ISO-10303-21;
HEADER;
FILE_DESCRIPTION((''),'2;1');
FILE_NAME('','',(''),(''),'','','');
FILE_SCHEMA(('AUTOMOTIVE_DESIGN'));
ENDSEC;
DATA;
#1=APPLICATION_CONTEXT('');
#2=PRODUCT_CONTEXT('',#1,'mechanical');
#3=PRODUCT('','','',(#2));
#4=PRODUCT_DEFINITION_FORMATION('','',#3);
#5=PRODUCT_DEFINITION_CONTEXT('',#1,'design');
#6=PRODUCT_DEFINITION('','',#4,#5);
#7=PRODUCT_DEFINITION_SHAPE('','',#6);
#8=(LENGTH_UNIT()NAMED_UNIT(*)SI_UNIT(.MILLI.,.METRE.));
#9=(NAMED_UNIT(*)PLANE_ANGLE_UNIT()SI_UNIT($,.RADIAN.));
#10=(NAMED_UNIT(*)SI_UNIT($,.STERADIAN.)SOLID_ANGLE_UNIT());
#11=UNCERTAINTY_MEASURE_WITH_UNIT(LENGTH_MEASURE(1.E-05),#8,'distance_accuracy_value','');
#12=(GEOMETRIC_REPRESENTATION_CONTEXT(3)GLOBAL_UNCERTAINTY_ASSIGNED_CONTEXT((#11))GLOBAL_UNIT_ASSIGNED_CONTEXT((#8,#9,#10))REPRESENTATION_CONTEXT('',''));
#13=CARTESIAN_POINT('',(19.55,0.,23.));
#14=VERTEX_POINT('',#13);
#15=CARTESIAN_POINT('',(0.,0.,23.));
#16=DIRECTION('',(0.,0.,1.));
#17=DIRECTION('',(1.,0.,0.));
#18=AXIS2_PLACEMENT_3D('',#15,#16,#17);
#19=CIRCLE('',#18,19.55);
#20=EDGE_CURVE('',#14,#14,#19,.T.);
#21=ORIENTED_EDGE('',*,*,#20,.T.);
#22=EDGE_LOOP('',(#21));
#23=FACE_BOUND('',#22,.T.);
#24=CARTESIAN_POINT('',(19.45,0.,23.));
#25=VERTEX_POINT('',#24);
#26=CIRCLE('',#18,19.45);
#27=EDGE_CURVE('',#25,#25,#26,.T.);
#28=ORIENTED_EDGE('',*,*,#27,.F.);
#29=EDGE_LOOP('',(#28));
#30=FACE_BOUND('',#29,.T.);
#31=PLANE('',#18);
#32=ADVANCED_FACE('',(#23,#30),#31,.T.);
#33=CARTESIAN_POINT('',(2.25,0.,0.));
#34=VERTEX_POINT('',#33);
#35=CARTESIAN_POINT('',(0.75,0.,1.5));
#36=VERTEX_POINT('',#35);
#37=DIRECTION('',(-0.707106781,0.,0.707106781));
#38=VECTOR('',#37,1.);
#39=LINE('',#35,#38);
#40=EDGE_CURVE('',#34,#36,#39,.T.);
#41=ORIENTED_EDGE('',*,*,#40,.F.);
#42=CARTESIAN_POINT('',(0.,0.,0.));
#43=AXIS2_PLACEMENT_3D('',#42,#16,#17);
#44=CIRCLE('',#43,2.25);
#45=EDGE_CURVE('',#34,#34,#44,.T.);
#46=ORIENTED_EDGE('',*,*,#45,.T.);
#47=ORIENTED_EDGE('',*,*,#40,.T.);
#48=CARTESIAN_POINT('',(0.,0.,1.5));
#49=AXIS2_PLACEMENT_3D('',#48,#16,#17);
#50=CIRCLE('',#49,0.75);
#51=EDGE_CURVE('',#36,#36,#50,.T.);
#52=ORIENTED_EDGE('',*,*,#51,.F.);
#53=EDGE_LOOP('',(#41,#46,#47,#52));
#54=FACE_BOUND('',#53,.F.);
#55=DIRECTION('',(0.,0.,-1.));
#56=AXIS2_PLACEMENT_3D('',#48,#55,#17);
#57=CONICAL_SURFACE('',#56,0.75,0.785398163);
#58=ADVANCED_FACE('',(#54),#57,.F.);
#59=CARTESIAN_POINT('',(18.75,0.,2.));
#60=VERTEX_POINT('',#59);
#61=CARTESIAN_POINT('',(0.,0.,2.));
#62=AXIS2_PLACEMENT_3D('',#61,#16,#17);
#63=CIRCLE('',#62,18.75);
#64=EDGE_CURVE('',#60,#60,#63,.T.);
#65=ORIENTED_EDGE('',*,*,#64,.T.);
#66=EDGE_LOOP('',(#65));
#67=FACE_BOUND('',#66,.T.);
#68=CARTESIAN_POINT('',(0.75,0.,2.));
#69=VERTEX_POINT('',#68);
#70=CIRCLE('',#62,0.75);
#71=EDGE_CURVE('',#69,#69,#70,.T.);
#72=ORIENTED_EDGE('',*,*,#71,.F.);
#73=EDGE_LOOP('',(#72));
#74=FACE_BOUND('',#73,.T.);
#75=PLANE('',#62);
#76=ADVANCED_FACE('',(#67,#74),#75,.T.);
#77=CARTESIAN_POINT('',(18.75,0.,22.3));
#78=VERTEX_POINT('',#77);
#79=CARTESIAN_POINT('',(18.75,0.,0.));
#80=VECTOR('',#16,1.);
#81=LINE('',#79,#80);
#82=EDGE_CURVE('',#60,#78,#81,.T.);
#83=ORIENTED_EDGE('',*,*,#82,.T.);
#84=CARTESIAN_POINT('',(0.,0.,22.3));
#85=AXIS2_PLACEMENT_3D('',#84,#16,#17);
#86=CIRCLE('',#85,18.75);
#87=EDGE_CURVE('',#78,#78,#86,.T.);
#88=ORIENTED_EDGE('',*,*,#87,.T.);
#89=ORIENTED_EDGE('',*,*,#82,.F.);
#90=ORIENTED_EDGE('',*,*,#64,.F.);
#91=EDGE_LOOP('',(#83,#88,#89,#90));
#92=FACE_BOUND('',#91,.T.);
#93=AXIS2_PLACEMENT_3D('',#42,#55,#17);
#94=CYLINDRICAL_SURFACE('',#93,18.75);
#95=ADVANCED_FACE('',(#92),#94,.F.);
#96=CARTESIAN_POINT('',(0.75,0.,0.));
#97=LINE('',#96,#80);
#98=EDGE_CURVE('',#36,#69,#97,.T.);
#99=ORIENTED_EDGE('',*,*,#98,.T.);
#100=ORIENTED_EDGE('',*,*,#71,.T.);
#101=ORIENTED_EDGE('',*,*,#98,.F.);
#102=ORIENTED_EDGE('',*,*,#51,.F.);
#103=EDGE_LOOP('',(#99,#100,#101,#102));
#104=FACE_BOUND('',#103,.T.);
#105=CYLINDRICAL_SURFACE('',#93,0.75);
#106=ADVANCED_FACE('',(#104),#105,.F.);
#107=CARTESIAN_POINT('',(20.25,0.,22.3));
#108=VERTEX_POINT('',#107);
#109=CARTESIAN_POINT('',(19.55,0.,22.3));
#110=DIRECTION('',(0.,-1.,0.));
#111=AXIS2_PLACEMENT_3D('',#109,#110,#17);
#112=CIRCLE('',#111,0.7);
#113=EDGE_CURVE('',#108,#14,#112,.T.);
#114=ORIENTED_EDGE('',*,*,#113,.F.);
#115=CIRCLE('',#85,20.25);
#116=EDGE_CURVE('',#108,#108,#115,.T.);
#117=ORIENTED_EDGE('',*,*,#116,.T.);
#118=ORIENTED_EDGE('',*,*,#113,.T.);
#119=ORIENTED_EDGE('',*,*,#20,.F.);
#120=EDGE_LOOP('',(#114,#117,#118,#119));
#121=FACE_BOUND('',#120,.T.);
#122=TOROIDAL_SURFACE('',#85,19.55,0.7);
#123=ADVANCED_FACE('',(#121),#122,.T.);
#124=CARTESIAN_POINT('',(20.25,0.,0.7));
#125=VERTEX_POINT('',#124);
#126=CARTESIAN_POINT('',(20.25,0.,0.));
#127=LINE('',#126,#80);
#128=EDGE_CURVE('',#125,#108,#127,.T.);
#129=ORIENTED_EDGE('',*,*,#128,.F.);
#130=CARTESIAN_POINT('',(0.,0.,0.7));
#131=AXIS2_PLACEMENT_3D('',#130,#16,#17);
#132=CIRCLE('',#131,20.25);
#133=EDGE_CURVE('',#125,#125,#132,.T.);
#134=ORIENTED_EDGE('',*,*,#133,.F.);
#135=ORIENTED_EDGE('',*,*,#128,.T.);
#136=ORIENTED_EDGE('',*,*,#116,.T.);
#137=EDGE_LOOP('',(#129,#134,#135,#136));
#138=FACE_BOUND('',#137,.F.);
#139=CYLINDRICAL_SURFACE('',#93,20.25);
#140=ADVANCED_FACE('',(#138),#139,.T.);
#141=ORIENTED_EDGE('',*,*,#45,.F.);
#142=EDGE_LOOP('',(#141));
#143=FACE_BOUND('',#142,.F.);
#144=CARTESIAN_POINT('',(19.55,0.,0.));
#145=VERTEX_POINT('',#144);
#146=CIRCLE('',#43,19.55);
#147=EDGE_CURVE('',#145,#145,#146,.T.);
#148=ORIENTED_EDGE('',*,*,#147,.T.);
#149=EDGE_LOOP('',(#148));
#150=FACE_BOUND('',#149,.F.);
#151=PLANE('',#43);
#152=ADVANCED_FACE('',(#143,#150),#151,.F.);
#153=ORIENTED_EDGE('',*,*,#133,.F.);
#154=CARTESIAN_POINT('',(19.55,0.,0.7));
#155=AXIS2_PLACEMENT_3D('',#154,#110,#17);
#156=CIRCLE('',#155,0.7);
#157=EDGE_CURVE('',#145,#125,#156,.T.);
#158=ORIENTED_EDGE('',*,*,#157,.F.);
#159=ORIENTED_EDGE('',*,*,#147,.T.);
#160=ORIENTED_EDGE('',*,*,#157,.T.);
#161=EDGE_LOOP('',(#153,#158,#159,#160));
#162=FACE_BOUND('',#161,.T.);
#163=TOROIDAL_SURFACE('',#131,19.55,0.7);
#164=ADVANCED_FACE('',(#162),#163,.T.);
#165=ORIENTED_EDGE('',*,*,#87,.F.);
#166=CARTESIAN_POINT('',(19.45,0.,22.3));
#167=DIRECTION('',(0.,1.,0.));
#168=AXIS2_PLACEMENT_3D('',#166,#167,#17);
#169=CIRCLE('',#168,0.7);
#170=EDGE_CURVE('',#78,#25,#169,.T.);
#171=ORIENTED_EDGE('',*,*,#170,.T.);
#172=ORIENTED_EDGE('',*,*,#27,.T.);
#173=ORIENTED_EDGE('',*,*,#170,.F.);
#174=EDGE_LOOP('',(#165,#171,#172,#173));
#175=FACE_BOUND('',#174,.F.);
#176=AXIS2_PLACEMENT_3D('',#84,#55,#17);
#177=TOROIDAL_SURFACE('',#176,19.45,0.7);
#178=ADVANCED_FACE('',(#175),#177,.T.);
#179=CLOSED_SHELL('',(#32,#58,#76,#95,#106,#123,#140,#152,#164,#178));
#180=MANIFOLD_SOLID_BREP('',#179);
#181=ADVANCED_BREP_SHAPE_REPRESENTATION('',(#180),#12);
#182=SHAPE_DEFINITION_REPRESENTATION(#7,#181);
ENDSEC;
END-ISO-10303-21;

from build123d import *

# Parameters (mm, degrees)
F0_R     = 20.25
F0_R_2   = 18.75
F1_DEPTH = 23
F0_R_3   = 0.75
F2_DEPTH = 2
F3_R     = 0.7
F4_SIZE2 = 1.5
F4_SIZE  = 1.5


with BuildPart() as f1:
    # F0 (on Top) → F1 (new body)
    with BuildSketch(Plane.XY):
        Circle(F0_R)
        Circle(F0_R_2, mode=Mode.SUBTRACT)
    extrude(amount=F1_DEPTH)

    # F0 (on Top) → F2 (join)
    with BuildSketch(Plane.XY):
        Circle(F0_R_2)
        Circle(F0_R_3, mode=Mode.SUBTRACT)
    extrude(amount=F2_DEPTH)

    # F3
    f3_edges = [f1.edges().sort_by_distance(p)[0] for p in [
        (-20.25, 0, 23),
        (-18.75, 0, 23),
        (-20.25, 0, 0),
    ]]
    fillet(f3_edges, radius=F3_R)

    # F4
    f4_edges = [f1.edges().sort_by_distance(p)[0] for p in [
        (-0.75, 0, 0),
    ]]
    chamfer(f4_edges, length=F4_SIZE, length2=F4_SIZE2)


solid = f1.part
